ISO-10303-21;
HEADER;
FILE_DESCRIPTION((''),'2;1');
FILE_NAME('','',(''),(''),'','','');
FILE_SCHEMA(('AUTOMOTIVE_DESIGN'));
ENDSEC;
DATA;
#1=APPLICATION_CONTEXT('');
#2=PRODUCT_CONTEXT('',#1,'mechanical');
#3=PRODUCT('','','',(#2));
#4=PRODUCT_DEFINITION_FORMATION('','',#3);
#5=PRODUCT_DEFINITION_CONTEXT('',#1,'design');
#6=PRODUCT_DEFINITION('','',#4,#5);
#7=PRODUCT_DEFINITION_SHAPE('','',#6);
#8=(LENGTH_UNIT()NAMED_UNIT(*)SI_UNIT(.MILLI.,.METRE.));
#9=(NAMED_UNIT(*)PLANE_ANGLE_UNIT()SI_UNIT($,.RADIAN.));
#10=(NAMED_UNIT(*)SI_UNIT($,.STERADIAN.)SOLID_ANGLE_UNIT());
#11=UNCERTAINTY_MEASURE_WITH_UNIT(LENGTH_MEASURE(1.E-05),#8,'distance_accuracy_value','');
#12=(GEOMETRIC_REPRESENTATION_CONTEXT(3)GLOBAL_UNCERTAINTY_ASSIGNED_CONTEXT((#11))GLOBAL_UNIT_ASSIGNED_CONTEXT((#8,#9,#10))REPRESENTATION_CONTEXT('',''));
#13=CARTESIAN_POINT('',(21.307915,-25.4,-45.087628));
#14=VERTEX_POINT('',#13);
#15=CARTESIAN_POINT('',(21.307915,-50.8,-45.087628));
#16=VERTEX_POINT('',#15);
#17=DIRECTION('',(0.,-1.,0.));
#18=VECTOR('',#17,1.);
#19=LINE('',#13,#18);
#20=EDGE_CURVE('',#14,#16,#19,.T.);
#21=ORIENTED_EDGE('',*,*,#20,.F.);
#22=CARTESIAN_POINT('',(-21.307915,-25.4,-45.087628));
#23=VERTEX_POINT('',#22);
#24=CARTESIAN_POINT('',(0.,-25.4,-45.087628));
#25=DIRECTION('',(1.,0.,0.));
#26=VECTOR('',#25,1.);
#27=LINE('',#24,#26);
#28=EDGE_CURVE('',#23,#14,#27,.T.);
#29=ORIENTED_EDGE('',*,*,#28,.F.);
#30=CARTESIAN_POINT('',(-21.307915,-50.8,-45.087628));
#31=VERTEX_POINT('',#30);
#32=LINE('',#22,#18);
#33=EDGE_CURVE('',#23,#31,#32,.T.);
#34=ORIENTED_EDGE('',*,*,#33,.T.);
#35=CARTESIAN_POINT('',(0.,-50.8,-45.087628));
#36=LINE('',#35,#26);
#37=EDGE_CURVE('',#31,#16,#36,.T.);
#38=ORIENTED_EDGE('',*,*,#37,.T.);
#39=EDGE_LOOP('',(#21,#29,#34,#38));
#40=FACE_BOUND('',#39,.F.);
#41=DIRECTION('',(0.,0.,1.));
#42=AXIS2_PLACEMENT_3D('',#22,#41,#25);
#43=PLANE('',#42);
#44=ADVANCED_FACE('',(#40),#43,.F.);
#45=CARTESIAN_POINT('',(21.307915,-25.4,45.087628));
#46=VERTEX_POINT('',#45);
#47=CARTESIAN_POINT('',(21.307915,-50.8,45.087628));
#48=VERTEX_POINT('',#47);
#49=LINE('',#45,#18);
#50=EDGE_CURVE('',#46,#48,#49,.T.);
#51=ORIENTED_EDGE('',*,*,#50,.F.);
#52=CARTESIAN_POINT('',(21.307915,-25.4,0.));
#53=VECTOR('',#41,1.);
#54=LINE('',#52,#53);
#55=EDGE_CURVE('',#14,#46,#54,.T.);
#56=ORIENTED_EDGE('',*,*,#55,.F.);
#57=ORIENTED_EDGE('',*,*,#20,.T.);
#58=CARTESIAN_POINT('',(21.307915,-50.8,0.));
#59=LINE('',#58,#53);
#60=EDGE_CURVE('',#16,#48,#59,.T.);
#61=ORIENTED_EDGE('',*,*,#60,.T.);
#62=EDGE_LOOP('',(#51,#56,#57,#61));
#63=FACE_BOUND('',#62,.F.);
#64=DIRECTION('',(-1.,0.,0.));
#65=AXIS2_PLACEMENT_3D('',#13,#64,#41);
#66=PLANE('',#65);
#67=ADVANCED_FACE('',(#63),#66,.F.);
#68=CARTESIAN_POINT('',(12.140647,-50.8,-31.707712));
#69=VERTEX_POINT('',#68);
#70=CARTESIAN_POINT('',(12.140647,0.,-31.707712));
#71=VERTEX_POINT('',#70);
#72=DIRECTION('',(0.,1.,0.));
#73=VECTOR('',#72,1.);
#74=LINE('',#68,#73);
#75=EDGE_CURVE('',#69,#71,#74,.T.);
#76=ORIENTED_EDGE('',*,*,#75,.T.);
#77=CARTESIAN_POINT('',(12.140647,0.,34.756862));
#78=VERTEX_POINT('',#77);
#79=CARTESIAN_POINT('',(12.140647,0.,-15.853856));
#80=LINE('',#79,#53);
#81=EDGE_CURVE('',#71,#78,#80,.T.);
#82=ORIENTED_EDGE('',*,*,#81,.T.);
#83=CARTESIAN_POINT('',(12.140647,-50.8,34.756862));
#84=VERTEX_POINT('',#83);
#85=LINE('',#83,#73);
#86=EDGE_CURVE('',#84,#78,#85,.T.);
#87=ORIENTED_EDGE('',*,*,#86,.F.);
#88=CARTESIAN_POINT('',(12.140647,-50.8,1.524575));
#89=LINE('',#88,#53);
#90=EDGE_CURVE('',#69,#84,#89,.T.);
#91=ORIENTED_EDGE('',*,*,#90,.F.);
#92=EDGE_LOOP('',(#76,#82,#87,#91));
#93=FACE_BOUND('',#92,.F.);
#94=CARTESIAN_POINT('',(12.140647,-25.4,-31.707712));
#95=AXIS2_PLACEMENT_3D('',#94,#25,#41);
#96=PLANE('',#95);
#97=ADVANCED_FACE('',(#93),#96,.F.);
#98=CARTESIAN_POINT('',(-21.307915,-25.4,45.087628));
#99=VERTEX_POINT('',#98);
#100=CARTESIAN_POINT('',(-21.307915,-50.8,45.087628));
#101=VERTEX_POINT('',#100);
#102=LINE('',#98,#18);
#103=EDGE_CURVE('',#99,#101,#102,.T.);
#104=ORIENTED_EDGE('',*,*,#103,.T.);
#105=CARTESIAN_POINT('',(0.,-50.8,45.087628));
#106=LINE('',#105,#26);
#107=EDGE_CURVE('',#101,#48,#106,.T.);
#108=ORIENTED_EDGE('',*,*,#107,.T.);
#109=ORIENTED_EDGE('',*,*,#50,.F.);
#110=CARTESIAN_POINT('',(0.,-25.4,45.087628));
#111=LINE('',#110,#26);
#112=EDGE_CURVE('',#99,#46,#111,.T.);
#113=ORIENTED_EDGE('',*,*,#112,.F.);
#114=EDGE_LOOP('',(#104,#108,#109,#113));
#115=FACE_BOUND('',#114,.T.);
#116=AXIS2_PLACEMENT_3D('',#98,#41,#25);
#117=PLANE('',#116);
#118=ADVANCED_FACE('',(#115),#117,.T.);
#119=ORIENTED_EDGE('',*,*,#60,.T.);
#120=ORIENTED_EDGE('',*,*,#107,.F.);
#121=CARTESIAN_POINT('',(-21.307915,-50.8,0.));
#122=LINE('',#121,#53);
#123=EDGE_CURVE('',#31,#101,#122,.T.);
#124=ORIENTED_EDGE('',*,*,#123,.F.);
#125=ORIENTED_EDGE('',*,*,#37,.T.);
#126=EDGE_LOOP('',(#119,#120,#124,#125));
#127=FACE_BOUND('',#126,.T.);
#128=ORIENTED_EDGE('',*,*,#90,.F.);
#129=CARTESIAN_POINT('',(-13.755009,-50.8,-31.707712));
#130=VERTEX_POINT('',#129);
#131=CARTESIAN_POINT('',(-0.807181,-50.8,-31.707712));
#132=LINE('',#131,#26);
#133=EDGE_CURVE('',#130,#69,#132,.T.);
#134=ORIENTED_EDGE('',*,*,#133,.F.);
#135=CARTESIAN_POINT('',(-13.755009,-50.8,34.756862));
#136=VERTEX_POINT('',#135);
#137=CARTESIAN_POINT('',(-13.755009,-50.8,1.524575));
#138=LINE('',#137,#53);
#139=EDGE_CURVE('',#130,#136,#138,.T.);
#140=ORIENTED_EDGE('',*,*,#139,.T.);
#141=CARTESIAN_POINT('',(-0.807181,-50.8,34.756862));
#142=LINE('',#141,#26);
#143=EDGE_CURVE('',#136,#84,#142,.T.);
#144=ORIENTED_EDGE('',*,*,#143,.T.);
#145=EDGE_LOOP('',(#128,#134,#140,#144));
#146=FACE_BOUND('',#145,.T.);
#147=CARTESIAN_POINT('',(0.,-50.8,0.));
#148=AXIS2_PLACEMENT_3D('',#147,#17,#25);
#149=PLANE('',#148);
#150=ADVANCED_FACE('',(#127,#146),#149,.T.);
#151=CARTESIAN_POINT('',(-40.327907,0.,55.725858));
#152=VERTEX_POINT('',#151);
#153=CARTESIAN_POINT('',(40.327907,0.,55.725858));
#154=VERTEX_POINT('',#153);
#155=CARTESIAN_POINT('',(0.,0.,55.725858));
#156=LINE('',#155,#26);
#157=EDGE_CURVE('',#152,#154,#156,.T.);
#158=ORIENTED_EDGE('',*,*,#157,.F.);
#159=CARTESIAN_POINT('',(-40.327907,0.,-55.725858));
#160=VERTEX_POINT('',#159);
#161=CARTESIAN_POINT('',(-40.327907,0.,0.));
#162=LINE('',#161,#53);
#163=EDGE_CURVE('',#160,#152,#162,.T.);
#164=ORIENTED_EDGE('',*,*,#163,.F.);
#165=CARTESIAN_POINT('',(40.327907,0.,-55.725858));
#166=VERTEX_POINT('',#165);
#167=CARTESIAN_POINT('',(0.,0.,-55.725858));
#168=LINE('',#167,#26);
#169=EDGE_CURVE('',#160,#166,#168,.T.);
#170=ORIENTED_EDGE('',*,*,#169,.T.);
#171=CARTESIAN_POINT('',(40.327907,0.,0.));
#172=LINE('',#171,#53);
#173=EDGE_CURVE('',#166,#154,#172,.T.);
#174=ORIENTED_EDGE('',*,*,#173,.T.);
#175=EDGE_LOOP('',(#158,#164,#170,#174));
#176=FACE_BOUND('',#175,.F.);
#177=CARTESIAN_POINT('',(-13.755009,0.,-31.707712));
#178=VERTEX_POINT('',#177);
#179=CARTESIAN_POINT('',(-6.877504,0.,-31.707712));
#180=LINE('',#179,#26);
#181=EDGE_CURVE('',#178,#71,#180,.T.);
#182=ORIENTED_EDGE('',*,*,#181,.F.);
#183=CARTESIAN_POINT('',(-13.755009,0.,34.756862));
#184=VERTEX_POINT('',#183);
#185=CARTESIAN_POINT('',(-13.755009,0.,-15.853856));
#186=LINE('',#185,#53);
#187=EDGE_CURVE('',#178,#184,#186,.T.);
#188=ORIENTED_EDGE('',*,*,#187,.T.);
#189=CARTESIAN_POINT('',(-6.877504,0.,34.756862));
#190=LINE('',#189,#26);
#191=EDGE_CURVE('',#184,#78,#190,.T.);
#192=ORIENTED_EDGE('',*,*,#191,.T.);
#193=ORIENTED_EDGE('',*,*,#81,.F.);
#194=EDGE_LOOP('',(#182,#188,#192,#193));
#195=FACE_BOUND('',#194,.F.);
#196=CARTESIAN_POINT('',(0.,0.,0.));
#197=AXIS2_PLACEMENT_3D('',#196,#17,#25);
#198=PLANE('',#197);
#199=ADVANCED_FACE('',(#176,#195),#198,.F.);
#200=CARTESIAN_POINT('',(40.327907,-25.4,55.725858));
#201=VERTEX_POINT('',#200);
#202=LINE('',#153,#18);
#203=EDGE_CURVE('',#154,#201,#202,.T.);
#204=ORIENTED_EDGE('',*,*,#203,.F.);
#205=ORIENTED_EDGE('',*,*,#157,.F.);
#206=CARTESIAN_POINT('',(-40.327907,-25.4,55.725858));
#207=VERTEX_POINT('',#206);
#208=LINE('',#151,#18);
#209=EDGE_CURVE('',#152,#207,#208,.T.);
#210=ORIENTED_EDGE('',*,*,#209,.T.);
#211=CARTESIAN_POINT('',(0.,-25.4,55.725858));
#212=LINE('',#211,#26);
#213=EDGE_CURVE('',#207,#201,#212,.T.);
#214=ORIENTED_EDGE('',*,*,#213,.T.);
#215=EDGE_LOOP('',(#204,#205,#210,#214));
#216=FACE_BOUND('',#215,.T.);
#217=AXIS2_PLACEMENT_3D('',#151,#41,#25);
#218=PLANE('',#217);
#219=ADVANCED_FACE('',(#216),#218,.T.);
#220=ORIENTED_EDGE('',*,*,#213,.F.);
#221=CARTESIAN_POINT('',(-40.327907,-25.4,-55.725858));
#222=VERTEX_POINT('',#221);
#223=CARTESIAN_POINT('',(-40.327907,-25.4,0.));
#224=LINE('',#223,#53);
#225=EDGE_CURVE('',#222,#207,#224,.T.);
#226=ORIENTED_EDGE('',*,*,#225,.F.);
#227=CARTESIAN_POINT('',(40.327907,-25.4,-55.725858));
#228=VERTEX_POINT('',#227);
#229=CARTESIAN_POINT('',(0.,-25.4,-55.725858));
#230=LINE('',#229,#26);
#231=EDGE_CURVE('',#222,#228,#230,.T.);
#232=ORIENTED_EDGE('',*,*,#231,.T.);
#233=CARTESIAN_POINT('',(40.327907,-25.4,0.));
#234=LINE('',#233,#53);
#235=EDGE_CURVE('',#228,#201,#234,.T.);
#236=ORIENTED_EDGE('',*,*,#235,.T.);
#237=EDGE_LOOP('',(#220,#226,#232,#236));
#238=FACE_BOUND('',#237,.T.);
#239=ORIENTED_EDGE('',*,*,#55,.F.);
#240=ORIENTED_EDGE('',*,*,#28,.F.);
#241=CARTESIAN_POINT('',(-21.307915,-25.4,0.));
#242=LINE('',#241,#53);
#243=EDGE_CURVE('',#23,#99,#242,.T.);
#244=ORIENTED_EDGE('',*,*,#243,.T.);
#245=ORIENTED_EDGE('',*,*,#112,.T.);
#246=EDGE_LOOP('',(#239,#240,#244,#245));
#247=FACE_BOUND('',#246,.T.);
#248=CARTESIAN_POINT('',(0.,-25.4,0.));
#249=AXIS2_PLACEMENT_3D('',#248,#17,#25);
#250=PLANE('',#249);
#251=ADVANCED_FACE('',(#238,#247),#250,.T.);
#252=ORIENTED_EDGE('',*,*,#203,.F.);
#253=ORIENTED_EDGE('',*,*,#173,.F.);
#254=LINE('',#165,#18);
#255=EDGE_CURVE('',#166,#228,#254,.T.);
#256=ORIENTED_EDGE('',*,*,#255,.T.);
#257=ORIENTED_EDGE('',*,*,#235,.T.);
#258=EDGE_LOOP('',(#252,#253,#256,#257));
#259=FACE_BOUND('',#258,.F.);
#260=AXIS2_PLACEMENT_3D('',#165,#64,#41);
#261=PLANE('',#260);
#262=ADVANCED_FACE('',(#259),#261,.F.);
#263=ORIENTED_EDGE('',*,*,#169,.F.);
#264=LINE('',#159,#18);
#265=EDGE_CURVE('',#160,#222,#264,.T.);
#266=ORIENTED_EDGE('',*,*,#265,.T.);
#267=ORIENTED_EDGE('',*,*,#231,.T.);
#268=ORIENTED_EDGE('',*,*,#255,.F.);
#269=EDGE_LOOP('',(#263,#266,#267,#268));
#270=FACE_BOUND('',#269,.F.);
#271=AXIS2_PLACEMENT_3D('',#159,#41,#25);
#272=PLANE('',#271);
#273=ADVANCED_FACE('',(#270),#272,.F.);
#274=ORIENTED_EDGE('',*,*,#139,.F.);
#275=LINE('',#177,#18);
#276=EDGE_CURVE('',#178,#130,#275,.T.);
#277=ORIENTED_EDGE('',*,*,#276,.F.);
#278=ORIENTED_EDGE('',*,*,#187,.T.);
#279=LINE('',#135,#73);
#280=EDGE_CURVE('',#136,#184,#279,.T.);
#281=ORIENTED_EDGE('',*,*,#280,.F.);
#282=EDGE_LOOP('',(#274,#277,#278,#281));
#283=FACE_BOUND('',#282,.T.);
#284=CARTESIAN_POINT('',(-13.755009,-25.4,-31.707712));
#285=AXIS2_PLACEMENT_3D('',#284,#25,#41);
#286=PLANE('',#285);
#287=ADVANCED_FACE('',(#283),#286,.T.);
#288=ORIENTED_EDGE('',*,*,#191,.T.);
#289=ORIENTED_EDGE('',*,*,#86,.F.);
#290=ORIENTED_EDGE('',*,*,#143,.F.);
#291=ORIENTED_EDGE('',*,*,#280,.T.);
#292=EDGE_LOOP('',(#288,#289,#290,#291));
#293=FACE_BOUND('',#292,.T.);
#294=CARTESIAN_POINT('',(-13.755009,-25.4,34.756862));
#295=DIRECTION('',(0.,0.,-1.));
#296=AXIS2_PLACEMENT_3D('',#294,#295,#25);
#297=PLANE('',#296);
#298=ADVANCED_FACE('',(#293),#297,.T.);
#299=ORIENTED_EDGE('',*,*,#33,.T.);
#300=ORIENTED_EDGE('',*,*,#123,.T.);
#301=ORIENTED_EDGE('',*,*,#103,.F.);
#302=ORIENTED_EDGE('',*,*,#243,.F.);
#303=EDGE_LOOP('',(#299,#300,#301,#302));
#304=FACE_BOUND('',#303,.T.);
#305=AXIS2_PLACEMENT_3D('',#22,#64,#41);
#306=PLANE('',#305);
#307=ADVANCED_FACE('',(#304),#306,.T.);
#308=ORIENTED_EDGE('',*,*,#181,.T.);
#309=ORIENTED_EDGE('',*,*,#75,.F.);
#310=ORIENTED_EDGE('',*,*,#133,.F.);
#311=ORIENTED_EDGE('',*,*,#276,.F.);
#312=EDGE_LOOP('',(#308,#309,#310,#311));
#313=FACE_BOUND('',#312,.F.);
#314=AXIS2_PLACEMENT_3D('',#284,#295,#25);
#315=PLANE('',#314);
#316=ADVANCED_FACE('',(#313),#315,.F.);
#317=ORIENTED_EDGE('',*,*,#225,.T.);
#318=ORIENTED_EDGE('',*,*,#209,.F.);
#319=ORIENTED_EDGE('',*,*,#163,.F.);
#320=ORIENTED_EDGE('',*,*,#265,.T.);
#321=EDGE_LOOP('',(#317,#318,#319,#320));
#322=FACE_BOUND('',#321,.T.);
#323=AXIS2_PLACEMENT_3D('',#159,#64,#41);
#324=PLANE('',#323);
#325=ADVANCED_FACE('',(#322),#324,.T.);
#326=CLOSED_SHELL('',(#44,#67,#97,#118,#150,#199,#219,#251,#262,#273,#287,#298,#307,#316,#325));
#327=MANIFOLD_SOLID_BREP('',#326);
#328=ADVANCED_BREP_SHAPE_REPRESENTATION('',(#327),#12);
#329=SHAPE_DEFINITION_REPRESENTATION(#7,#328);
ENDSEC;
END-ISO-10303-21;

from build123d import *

# Parameters (mm, degrees)
F0_W     = 80.655814
F0_H     = 111.451716
F1_DEPTH = 25.4
F2_W     = 47.660246
F2_H     = 87.988168
F3_DEPTH = 25.4
F4_W     = 42.61583
F4_H     = 90.175256
F4_W_2   = 25.895656
F4_H_2   = 66.464574
F5_DEPTH = 25.4
F6_W     = 25.895656
F6_H     = 66.464574
F7_DEPTH = 31.594573


with BuildPart() as f1:
    # F0 (on Front) → F1 (new body)
    with BuildSketch(Plane.XZ):
        Rectangle(F0_W, F0_H)
    extrude(amount=F1_DEPTH)

    # F2 (on Front) → F3 (join)
    with BuildSketch(Plane.XZ):
        Rectangle(F2_W, F2_H)
    extrude(amount=F3_DEPTH)

    # F4 (on face) → F5 (join)
    with BuildSketch(Plane.XZ.offset(25.4)):
        Rectangle(F4_W, F4_H)
        with Locations((-0.807181, 1.524575)):
            Rectangle(F4_W_2, F4_H_2, mode=Mode.SUBTRACT)
    extrude(amount=F5_DEPTH)

    # F6 (on face) → F7 (cut)
    with BuildSketch(Plane.XZ.offset(25.4)):
        with Locations((-0.807181, 1.524575)):
            Rectangle(F6_W, F6_H)
    extrude(amount=-F7_DEPTH, mode=Mode.SUBTRACT)


solid = f1.part
